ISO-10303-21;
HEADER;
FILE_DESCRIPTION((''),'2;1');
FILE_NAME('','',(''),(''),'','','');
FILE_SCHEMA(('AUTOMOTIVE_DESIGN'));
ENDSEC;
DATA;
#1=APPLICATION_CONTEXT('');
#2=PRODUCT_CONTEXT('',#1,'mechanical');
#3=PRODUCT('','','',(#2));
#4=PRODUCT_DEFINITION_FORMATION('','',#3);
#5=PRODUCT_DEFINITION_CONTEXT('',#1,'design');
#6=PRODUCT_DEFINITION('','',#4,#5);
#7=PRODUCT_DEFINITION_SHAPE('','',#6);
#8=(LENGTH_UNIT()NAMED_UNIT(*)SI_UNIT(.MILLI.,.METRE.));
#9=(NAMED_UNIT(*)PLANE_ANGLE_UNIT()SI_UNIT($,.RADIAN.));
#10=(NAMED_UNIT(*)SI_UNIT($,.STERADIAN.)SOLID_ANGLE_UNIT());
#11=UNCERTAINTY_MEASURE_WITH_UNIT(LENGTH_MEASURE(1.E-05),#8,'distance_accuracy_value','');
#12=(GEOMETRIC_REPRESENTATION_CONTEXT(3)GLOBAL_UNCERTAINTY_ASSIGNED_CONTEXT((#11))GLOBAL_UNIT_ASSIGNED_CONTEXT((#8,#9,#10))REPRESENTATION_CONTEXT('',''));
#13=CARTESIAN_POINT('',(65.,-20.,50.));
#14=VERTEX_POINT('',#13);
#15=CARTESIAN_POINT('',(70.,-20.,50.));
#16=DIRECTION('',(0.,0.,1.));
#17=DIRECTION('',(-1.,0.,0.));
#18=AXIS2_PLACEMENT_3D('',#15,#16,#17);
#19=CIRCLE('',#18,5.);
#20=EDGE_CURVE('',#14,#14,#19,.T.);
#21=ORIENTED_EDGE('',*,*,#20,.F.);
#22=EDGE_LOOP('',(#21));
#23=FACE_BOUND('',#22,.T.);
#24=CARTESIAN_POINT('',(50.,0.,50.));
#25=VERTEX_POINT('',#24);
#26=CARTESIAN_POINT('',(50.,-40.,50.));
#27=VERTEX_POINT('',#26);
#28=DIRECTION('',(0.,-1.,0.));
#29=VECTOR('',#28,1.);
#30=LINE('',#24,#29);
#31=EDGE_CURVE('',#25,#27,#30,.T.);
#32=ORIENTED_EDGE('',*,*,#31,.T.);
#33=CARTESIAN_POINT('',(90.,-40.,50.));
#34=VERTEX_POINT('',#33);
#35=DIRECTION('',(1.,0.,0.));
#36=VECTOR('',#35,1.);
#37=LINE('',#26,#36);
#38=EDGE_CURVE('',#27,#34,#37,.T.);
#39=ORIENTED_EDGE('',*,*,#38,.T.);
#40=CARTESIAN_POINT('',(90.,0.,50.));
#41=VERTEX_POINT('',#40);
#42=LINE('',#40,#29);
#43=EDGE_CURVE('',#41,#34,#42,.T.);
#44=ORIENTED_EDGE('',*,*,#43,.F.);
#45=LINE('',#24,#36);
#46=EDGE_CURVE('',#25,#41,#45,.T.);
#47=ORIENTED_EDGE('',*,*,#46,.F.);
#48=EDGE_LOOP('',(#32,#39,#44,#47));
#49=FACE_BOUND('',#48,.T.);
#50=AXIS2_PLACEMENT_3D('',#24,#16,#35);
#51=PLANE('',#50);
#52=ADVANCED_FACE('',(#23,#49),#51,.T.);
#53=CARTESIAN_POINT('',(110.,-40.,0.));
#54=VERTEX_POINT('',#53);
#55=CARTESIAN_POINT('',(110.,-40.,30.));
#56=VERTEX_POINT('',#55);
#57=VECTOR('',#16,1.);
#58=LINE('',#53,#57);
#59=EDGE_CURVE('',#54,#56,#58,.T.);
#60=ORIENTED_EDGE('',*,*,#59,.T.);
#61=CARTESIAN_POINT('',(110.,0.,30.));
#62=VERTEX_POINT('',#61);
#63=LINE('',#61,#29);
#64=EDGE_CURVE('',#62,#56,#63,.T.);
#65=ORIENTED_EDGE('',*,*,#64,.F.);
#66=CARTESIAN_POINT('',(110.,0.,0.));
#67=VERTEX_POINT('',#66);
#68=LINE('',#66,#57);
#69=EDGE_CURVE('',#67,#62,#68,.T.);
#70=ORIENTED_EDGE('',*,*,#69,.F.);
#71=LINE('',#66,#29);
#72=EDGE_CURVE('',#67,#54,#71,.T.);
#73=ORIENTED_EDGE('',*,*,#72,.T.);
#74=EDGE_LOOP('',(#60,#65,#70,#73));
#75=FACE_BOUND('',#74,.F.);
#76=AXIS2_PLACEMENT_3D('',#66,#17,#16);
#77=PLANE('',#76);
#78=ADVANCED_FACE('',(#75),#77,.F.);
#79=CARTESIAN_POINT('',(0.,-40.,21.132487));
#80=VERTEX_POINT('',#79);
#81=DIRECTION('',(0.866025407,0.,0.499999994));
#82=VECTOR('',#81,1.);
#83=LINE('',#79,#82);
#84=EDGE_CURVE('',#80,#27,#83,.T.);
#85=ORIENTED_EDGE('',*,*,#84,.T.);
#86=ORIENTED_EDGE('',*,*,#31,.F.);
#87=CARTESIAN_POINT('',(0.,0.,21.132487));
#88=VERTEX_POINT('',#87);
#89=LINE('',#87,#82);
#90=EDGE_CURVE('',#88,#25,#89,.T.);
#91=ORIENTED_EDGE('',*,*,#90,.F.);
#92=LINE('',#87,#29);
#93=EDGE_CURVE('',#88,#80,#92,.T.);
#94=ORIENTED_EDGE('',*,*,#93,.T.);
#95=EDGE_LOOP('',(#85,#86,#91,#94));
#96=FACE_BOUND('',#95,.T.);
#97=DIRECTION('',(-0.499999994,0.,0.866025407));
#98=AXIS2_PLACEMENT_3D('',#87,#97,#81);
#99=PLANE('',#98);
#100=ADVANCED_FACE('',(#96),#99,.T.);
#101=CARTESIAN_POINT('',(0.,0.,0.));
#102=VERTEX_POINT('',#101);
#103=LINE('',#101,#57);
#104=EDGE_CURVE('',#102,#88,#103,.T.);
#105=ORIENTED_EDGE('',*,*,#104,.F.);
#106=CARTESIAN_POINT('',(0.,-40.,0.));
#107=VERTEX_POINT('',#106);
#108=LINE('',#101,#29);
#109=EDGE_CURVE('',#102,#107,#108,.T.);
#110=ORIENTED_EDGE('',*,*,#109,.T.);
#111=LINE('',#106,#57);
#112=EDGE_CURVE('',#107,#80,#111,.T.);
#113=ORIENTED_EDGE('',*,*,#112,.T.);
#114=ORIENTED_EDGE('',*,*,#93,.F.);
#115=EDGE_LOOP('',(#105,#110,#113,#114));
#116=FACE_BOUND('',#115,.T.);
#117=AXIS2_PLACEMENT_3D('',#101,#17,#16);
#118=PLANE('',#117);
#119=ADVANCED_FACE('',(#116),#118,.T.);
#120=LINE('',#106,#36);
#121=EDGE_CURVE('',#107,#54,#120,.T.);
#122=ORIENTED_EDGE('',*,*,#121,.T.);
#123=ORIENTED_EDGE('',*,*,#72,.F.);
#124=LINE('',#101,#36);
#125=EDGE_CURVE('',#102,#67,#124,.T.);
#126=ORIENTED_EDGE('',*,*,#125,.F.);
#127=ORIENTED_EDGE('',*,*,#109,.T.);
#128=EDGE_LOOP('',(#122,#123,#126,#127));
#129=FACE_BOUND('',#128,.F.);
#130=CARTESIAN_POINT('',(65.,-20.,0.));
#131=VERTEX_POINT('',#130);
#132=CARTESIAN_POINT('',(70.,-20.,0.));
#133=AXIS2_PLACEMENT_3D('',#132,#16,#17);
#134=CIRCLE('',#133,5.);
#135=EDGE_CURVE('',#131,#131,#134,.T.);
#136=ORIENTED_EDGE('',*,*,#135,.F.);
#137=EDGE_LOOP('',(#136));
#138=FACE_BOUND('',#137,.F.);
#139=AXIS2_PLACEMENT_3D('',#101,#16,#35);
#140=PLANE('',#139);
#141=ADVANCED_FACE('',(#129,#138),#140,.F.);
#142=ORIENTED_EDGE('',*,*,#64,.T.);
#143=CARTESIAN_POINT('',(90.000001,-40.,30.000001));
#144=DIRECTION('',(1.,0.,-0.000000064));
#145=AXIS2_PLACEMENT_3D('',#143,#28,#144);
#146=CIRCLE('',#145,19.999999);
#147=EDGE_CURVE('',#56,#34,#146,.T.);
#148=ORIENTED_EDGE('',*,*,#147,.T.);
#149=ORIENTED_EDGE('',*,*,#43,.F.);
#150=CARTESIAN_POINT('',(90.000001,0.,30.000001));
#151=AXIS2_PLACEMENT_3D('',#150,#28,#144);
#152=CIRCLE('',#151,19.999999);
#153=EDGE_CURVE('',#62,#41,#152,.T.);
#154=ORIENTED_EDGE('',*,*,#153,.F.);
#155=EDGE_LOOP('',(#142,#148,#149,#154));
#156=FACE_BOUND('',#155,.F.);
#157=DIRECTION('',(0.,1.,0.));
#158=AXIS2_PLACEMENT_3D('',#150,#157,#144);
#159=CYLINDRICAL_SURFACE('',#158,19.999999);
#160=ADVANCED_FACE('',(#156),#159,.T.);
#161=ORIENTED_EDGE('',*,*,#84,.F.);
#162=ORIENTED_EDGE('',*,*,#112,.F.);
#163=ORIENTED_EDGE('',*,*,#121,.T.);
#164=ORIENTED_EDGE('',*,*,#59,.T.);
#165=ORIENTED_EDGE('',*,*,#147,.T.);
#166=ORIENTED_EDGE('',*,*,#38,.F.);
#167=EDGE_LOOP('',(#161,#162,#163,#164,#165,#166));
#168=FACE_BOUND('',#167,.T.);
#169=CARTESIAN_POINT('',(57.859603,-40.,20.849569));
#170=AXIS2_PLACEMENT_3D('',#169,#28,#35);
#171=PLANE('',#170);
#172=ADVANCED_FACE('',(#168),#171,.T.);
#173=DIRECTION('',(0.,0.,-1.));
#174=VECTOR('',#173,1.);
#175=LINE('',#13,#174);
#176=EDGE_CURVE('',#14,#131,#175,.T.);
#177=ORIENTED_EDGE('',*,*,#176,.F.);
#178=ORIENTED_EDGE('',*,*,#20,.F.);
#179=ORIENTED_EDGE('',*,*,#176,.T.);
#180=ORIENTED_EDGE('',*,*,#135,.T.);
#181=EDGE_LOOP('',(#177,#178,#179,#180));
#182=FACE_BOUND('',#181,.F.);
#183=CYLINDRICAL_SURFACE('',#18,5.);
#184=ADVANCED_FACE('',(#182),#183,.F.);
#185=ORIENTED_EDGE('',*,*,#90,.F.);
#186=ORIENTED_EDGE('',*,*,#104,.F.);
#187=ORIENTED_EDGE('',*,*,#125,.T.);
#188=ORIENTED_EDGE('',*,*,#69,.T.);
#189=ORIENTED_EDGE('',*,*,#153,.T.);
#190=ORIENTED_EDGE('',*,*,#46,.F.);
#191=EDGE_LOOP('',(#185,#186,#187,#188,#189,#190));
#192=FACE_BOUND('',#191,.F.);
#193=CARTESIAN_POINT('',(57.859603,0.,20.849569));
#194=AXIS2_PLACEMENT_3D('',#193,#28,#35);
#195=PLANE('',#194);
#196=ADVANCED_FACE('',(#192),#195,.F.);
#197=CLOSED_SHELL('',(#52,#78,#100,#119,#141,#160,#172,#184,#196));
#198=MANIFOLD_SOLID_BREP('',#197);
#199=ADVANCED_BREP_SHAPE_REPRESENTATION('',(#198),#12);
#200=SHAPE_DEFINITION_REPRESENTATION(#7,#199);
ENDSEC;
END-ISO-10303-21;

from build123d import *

# Parameters (mm, degrees)
PAD_DEPTH    = 40
SKETCH001_R  = 5
POCKET_DEPTH = 50.001


with BuildPart() as part:
    # Sketch → Pad (new body)
    with BuildSketch(Plane.XZ):
        with BuildLine():
            Line((0, 0), (110, 0))
            Line((110, 0), (110, 30))
            ThreePointArc((110, 30), (104.142136, 44.142136), (90, 50))
            Line((50, 50), (90, 50))
            Line((0, 21.132487), (50, 50))
            Line((0, 0), (0, 21.132487))
        make_face()
    extrude(amount=PAD_DEPTH)

    # Sketch001 (on Face4 of Pad) → Pocket (cut, through all)
    with BuildSketch(Plane(origin=(0, 0, 50), x_dir=(-1, 0, 0), z_dir=(0, 0, 1))):
        with Locations((-70, 20)):
            Circle(SKETCH001_R)
    extrude(amount=-POCKET_DEPTH, mode=Mode.SUBTRACT)


solid = part.part
